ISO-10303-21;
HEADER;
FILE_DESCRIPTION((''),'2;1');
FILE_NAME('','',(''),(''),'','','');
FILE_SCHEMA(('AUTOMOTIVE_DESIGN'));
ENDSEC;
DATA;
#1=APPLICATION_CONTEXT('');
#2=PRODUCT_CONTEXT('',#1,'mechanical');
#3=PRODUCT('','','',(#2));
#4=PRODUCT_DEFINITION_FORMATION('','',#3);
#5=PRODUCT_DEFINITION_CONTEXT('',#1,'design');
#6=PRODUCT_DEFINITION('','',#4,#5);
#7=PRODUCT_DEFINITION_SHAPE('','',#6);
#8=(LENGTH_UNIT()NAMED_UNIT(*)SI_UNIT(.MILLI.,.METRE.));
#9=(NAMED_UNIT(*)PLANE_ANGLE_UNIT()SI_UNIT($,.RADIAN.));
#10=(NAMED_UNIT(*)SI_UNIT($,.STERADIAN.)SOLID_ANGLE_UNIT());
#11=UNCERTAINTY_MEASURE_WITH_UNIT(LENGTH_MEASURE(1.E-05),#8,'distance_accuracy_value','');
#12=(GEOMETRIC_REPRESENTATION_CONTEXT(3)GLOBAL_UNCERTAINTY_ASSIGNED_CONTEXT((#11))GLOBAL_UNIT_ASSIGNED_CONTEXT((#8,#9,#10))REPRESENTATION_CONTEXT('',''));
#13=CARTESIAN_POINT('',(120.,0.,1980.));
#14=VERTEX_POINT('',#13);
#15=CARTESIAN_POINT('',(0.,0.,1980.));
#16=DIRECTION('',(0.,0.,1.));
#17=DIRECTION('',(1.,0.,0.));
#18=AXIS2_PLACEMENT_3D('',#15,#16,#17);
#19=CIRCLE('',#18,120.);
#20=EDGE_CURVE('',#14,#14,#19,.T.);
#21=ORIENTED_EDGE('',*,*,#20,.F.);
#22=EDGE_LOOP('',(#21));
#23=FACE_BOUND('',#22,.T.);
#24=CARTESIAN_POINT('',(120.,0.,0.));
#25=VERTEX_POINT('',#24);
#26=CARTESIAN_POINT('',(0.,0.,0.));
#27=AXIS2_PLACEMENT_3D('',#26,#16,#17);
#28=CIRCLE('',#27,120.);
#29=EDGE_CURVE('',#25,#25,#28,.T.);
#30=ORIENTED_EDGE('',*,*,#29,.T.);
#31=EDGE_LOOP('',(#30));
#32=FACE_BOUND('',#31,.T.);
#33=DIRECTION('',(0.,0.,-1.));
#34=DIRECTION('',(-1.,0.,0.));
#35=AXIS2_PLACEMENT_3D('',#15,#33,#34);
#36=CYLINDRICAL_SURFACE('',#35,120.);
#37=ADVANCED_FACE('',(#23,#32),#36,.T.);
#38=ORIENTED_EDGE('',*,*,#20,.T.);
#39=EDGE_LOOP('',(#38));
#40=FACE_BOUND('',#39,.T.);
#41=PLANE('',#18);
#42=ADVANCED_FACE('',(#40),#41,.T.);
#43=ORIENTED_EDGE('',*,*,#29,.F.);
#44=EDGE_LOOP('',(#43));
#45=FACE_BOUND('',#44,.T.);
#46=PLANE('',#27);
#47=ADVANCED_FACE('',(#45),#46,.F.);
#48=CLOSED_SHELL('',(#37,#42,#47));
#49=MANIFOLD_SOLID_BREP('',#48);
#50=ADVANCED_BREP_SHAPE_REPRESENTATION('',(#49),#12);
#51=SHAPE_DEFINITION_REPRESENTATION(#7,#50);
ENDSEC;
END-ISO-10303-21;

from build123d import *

# Parameters (mm, degrees)
ESBO_O1_R                = 120
RESSALTO_EXTRUS_O1_DEPTH = 1980


with BuildPart() as part:
    # Esboço1 → Ressalto-extrusão1 (new body)
    with BuildSketch(Plane.XY):
        Circle(ESBO_O1_R)
    extrude(amount=RESSALTO_EXTRUS_O1_DEPTH)


solid = part.part
